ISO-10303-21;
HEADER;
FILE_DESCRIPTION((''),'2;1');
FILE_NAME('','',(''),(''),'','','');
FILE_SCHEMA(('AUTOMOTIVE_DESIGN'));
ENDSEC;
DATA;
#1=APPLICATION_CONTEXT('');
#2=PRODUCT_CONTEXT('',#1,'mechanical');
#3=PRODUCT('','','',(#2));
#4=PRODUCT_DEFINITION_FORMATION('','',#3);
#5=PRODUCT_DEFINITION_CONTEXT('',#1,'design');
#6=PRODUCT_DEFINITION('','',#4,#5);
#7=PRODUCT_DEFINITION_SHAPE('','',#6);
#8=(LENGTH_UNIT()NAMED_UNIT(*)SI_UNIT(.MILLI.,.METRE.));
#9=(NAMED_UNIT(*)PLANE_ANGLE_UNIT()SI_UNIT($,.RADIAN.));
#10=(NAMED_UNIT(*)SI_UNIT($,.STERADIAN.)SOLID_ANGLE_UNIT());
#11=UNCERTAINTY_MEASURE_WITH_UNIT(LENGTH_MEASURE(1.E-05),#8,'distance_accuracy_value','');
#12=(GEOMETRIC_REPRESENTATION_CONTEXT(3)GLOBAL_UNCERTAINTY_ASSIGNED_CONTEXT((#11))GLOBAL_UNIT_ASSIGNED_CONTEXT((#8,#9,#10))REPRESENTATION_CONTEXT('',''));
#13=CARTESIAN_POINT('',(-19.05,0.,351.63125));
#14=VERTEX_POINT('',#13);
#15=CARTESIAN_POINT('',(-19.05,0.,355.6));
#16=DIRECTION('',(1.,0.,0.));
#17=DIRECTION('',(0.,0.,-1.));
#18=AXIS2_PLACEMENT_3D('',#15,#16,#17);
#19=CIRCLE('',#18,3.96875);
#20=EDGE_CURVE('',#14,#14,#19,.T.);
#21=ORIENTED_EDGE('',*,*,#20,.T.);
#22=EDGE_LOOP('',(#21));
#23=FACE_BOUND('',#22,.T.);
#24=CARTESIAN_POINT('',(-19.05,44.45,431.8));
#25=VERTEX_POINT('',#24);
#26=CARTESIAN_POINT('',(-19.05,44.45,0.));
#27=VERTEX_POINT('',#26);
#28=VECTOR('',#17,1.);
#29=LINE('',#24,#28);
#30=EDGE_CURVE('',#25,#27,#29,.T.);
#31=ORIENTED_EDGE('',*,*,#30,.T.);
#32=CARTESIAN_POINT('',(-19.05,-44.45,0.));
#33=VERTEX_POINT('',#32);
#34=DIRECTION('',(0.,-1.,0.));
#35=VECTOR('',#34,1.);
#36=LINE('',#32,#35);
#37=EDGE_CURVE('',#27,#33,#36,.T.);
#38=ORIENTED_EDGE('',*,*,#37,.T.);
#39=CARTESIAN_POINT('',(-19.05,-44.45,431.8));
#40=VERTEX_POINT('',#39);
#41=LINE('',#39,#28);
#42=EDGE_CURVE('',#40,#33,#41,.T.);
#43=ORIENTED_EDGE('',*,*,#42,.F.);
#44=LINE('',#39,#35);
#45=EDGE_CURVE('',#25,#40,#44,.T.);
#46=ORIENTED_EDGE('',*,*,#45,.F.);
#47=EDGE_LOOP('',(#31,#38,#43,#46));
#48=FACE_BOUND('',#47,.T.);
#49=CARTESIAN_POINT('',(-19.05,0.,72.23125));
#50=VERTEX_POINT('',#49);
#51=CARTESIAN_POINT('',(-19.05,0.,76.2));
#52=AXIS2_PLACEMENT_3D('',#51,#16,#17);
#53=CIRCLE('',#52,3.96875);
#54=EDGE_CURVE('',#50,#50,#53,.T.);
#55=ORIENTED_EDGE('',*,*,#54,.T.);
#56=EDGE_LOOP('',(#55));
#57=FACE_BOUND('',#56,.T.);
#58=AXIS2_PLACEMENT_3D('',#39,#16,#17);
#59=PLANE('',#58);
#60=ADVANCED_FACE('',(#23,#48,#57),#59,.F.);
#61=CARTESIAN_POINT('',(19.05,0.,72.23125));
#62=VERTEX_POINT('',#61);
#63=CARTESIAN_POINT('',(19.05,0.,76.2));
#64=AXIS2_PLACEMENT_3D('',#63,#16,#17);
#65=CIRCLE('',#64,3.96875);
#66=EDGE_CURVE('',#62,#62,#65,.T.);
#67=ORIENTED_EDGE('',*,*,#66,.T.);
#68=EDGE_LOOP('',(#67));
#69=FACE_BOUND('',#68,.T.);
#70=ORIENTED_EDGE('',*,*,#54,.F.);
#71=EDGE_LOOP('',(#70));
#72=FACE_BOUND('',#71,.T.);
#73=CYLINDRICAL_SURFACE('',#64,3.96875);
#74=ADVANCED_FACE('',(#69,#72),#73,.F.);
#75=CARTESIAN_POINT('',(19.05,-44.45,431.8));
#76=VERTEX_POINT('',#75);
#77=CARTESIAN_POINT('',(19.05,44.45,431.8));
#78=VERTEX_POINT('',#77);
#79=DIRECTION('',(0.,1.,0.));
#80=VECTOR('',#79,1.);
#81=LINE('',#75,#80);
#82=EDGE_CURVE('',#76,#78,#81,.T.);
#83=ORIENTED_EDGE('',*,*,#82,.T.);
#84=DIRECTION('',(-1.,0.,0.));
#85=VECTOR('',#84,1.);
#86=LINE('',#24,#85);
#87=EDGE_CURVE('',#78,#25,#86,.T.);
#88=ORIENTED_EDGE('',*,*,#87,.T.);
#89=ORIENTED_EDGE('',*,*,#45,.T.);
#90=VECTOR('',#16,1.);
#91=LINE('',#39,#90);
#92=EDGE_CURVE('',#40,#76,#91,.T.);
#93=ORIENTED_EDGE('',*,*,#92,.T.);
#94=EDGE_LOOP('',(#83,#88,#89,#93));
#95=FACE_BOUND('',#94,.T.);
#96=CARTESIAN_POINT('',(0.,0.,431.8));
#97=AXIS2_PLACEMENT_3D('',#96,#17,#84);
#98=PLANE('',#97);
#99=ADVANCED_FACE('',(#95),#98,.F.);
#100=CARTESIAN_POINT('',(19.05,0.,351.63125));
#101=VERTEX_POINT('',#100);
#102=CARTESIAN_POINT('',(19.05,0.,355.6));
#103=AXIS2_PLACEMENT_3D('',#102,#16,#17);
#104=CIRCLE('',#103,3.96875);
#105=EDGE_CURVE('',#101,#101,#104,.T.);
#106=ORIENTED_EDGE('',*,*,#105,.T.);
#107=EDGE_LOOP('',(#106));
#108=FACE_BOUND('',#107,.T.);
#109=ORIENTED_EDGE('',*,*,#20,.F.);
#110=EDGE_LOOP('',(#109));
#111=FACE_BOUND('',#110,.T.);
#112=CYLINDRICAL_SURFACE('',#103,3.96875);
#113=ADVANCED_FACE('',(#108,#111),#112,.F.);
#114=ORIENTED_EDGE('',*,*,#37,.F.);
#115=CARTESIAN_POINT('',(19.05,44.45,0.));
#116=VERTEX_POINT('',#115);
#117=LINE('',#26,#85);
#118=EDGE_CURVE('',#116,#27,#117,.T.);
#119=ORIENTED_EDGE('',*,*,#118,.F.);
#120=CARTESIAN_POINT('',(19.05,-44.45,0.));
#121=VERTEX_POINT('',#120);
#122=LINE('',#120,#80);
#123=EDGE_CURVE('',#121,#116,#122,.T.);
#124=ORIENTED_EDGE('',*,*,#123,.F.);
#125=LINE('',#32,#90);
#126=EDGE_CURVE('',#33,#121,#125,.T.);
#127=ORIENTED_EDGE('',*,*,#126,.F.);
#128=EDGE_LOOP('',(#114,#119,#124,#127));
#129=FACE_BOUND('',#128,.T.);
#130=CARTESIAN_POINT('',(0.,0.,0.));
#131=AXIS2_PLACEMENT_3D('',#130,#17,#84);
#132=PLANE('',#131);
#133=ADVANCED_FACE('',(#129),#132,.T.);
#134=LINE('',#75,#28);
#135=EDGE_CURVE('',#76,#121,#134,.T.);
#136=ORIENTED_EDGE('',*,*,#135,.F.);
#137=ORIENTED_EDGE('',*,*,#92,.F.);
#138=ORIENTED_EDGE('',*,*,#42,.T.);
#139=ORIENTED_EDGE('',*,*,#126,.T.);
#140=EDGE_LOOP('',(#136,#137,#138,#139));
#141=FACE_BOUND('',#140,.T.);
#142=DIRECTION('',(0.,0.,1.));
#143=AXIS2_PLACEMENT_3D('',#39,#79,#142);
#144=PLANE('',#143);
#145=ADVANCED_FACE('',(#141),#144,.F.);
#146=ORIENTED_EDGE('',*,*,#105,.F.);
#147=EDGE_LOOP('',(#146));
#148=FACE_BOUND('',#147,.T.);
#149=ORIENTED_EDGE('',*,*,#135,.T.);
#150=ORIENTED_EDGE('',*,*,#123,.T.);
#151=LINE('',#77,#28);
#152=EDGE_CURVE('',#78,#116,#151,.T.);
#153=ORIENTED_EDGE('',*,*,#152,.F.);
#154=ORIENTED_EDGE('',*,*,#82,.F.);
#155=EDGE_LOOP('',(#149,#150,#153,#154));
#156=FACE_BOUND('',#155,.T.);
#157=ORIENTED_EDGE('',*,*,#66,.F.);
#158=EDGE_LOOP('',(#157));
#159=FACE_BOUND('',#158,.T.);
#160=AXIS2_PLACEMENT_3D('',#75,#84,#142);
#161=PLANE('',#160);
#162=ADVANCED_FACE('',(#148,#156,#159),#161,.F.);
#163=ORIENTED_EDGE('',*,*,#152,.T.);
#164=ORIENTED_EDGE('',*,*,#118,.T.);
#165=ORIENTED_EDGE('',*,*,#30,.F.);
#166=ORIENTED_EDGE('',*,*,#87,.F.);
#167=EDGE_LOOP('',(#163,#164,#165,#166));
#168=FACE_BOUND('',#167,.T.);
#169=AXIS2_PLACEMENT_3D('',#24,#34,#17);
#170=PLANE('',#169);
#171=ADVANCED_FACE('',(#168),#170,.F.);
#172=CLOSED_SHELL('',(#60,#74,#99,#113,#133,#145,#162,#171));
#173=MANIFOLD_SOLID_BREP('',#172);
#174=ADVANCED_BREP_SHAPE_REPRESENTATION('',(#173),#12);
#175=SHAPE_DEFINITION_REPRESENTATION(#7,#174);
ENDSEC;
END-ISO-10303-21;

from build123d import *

# Parameters (mm, degrees)
SKETCH1_W                      = 38.1
SKETCH1_H                      = 88.9
BOSS_EXTRUDE1_DEPTH            = 431.8
F_5_16_0_3125_DIAMETER_HOLE1_D = 7.9375


with BuildPart() as part:
    # Sketch1 → Boss-Extrude1 (new body)
    with BuildSketch(Plane.XY):
        Rectangle(SKETCH1_W, SKETCH1_H)
    extrude(amount=BOSS_EXTRUDE1_DEPTH)

    # 5/16 (0.3125) Diameter Hole1 (through all)
    with Locations(Plane(origin=(19.05, 0, 0), x_dir=(0, 0, -1), z_dir=(1, 0, 0))):
        with Locations((-355.6, 0), (-76.2, 0)):
            Hole(F_5_16_0_3125_DIAMETER_HOLE1_D / 2)


solid = part.part
